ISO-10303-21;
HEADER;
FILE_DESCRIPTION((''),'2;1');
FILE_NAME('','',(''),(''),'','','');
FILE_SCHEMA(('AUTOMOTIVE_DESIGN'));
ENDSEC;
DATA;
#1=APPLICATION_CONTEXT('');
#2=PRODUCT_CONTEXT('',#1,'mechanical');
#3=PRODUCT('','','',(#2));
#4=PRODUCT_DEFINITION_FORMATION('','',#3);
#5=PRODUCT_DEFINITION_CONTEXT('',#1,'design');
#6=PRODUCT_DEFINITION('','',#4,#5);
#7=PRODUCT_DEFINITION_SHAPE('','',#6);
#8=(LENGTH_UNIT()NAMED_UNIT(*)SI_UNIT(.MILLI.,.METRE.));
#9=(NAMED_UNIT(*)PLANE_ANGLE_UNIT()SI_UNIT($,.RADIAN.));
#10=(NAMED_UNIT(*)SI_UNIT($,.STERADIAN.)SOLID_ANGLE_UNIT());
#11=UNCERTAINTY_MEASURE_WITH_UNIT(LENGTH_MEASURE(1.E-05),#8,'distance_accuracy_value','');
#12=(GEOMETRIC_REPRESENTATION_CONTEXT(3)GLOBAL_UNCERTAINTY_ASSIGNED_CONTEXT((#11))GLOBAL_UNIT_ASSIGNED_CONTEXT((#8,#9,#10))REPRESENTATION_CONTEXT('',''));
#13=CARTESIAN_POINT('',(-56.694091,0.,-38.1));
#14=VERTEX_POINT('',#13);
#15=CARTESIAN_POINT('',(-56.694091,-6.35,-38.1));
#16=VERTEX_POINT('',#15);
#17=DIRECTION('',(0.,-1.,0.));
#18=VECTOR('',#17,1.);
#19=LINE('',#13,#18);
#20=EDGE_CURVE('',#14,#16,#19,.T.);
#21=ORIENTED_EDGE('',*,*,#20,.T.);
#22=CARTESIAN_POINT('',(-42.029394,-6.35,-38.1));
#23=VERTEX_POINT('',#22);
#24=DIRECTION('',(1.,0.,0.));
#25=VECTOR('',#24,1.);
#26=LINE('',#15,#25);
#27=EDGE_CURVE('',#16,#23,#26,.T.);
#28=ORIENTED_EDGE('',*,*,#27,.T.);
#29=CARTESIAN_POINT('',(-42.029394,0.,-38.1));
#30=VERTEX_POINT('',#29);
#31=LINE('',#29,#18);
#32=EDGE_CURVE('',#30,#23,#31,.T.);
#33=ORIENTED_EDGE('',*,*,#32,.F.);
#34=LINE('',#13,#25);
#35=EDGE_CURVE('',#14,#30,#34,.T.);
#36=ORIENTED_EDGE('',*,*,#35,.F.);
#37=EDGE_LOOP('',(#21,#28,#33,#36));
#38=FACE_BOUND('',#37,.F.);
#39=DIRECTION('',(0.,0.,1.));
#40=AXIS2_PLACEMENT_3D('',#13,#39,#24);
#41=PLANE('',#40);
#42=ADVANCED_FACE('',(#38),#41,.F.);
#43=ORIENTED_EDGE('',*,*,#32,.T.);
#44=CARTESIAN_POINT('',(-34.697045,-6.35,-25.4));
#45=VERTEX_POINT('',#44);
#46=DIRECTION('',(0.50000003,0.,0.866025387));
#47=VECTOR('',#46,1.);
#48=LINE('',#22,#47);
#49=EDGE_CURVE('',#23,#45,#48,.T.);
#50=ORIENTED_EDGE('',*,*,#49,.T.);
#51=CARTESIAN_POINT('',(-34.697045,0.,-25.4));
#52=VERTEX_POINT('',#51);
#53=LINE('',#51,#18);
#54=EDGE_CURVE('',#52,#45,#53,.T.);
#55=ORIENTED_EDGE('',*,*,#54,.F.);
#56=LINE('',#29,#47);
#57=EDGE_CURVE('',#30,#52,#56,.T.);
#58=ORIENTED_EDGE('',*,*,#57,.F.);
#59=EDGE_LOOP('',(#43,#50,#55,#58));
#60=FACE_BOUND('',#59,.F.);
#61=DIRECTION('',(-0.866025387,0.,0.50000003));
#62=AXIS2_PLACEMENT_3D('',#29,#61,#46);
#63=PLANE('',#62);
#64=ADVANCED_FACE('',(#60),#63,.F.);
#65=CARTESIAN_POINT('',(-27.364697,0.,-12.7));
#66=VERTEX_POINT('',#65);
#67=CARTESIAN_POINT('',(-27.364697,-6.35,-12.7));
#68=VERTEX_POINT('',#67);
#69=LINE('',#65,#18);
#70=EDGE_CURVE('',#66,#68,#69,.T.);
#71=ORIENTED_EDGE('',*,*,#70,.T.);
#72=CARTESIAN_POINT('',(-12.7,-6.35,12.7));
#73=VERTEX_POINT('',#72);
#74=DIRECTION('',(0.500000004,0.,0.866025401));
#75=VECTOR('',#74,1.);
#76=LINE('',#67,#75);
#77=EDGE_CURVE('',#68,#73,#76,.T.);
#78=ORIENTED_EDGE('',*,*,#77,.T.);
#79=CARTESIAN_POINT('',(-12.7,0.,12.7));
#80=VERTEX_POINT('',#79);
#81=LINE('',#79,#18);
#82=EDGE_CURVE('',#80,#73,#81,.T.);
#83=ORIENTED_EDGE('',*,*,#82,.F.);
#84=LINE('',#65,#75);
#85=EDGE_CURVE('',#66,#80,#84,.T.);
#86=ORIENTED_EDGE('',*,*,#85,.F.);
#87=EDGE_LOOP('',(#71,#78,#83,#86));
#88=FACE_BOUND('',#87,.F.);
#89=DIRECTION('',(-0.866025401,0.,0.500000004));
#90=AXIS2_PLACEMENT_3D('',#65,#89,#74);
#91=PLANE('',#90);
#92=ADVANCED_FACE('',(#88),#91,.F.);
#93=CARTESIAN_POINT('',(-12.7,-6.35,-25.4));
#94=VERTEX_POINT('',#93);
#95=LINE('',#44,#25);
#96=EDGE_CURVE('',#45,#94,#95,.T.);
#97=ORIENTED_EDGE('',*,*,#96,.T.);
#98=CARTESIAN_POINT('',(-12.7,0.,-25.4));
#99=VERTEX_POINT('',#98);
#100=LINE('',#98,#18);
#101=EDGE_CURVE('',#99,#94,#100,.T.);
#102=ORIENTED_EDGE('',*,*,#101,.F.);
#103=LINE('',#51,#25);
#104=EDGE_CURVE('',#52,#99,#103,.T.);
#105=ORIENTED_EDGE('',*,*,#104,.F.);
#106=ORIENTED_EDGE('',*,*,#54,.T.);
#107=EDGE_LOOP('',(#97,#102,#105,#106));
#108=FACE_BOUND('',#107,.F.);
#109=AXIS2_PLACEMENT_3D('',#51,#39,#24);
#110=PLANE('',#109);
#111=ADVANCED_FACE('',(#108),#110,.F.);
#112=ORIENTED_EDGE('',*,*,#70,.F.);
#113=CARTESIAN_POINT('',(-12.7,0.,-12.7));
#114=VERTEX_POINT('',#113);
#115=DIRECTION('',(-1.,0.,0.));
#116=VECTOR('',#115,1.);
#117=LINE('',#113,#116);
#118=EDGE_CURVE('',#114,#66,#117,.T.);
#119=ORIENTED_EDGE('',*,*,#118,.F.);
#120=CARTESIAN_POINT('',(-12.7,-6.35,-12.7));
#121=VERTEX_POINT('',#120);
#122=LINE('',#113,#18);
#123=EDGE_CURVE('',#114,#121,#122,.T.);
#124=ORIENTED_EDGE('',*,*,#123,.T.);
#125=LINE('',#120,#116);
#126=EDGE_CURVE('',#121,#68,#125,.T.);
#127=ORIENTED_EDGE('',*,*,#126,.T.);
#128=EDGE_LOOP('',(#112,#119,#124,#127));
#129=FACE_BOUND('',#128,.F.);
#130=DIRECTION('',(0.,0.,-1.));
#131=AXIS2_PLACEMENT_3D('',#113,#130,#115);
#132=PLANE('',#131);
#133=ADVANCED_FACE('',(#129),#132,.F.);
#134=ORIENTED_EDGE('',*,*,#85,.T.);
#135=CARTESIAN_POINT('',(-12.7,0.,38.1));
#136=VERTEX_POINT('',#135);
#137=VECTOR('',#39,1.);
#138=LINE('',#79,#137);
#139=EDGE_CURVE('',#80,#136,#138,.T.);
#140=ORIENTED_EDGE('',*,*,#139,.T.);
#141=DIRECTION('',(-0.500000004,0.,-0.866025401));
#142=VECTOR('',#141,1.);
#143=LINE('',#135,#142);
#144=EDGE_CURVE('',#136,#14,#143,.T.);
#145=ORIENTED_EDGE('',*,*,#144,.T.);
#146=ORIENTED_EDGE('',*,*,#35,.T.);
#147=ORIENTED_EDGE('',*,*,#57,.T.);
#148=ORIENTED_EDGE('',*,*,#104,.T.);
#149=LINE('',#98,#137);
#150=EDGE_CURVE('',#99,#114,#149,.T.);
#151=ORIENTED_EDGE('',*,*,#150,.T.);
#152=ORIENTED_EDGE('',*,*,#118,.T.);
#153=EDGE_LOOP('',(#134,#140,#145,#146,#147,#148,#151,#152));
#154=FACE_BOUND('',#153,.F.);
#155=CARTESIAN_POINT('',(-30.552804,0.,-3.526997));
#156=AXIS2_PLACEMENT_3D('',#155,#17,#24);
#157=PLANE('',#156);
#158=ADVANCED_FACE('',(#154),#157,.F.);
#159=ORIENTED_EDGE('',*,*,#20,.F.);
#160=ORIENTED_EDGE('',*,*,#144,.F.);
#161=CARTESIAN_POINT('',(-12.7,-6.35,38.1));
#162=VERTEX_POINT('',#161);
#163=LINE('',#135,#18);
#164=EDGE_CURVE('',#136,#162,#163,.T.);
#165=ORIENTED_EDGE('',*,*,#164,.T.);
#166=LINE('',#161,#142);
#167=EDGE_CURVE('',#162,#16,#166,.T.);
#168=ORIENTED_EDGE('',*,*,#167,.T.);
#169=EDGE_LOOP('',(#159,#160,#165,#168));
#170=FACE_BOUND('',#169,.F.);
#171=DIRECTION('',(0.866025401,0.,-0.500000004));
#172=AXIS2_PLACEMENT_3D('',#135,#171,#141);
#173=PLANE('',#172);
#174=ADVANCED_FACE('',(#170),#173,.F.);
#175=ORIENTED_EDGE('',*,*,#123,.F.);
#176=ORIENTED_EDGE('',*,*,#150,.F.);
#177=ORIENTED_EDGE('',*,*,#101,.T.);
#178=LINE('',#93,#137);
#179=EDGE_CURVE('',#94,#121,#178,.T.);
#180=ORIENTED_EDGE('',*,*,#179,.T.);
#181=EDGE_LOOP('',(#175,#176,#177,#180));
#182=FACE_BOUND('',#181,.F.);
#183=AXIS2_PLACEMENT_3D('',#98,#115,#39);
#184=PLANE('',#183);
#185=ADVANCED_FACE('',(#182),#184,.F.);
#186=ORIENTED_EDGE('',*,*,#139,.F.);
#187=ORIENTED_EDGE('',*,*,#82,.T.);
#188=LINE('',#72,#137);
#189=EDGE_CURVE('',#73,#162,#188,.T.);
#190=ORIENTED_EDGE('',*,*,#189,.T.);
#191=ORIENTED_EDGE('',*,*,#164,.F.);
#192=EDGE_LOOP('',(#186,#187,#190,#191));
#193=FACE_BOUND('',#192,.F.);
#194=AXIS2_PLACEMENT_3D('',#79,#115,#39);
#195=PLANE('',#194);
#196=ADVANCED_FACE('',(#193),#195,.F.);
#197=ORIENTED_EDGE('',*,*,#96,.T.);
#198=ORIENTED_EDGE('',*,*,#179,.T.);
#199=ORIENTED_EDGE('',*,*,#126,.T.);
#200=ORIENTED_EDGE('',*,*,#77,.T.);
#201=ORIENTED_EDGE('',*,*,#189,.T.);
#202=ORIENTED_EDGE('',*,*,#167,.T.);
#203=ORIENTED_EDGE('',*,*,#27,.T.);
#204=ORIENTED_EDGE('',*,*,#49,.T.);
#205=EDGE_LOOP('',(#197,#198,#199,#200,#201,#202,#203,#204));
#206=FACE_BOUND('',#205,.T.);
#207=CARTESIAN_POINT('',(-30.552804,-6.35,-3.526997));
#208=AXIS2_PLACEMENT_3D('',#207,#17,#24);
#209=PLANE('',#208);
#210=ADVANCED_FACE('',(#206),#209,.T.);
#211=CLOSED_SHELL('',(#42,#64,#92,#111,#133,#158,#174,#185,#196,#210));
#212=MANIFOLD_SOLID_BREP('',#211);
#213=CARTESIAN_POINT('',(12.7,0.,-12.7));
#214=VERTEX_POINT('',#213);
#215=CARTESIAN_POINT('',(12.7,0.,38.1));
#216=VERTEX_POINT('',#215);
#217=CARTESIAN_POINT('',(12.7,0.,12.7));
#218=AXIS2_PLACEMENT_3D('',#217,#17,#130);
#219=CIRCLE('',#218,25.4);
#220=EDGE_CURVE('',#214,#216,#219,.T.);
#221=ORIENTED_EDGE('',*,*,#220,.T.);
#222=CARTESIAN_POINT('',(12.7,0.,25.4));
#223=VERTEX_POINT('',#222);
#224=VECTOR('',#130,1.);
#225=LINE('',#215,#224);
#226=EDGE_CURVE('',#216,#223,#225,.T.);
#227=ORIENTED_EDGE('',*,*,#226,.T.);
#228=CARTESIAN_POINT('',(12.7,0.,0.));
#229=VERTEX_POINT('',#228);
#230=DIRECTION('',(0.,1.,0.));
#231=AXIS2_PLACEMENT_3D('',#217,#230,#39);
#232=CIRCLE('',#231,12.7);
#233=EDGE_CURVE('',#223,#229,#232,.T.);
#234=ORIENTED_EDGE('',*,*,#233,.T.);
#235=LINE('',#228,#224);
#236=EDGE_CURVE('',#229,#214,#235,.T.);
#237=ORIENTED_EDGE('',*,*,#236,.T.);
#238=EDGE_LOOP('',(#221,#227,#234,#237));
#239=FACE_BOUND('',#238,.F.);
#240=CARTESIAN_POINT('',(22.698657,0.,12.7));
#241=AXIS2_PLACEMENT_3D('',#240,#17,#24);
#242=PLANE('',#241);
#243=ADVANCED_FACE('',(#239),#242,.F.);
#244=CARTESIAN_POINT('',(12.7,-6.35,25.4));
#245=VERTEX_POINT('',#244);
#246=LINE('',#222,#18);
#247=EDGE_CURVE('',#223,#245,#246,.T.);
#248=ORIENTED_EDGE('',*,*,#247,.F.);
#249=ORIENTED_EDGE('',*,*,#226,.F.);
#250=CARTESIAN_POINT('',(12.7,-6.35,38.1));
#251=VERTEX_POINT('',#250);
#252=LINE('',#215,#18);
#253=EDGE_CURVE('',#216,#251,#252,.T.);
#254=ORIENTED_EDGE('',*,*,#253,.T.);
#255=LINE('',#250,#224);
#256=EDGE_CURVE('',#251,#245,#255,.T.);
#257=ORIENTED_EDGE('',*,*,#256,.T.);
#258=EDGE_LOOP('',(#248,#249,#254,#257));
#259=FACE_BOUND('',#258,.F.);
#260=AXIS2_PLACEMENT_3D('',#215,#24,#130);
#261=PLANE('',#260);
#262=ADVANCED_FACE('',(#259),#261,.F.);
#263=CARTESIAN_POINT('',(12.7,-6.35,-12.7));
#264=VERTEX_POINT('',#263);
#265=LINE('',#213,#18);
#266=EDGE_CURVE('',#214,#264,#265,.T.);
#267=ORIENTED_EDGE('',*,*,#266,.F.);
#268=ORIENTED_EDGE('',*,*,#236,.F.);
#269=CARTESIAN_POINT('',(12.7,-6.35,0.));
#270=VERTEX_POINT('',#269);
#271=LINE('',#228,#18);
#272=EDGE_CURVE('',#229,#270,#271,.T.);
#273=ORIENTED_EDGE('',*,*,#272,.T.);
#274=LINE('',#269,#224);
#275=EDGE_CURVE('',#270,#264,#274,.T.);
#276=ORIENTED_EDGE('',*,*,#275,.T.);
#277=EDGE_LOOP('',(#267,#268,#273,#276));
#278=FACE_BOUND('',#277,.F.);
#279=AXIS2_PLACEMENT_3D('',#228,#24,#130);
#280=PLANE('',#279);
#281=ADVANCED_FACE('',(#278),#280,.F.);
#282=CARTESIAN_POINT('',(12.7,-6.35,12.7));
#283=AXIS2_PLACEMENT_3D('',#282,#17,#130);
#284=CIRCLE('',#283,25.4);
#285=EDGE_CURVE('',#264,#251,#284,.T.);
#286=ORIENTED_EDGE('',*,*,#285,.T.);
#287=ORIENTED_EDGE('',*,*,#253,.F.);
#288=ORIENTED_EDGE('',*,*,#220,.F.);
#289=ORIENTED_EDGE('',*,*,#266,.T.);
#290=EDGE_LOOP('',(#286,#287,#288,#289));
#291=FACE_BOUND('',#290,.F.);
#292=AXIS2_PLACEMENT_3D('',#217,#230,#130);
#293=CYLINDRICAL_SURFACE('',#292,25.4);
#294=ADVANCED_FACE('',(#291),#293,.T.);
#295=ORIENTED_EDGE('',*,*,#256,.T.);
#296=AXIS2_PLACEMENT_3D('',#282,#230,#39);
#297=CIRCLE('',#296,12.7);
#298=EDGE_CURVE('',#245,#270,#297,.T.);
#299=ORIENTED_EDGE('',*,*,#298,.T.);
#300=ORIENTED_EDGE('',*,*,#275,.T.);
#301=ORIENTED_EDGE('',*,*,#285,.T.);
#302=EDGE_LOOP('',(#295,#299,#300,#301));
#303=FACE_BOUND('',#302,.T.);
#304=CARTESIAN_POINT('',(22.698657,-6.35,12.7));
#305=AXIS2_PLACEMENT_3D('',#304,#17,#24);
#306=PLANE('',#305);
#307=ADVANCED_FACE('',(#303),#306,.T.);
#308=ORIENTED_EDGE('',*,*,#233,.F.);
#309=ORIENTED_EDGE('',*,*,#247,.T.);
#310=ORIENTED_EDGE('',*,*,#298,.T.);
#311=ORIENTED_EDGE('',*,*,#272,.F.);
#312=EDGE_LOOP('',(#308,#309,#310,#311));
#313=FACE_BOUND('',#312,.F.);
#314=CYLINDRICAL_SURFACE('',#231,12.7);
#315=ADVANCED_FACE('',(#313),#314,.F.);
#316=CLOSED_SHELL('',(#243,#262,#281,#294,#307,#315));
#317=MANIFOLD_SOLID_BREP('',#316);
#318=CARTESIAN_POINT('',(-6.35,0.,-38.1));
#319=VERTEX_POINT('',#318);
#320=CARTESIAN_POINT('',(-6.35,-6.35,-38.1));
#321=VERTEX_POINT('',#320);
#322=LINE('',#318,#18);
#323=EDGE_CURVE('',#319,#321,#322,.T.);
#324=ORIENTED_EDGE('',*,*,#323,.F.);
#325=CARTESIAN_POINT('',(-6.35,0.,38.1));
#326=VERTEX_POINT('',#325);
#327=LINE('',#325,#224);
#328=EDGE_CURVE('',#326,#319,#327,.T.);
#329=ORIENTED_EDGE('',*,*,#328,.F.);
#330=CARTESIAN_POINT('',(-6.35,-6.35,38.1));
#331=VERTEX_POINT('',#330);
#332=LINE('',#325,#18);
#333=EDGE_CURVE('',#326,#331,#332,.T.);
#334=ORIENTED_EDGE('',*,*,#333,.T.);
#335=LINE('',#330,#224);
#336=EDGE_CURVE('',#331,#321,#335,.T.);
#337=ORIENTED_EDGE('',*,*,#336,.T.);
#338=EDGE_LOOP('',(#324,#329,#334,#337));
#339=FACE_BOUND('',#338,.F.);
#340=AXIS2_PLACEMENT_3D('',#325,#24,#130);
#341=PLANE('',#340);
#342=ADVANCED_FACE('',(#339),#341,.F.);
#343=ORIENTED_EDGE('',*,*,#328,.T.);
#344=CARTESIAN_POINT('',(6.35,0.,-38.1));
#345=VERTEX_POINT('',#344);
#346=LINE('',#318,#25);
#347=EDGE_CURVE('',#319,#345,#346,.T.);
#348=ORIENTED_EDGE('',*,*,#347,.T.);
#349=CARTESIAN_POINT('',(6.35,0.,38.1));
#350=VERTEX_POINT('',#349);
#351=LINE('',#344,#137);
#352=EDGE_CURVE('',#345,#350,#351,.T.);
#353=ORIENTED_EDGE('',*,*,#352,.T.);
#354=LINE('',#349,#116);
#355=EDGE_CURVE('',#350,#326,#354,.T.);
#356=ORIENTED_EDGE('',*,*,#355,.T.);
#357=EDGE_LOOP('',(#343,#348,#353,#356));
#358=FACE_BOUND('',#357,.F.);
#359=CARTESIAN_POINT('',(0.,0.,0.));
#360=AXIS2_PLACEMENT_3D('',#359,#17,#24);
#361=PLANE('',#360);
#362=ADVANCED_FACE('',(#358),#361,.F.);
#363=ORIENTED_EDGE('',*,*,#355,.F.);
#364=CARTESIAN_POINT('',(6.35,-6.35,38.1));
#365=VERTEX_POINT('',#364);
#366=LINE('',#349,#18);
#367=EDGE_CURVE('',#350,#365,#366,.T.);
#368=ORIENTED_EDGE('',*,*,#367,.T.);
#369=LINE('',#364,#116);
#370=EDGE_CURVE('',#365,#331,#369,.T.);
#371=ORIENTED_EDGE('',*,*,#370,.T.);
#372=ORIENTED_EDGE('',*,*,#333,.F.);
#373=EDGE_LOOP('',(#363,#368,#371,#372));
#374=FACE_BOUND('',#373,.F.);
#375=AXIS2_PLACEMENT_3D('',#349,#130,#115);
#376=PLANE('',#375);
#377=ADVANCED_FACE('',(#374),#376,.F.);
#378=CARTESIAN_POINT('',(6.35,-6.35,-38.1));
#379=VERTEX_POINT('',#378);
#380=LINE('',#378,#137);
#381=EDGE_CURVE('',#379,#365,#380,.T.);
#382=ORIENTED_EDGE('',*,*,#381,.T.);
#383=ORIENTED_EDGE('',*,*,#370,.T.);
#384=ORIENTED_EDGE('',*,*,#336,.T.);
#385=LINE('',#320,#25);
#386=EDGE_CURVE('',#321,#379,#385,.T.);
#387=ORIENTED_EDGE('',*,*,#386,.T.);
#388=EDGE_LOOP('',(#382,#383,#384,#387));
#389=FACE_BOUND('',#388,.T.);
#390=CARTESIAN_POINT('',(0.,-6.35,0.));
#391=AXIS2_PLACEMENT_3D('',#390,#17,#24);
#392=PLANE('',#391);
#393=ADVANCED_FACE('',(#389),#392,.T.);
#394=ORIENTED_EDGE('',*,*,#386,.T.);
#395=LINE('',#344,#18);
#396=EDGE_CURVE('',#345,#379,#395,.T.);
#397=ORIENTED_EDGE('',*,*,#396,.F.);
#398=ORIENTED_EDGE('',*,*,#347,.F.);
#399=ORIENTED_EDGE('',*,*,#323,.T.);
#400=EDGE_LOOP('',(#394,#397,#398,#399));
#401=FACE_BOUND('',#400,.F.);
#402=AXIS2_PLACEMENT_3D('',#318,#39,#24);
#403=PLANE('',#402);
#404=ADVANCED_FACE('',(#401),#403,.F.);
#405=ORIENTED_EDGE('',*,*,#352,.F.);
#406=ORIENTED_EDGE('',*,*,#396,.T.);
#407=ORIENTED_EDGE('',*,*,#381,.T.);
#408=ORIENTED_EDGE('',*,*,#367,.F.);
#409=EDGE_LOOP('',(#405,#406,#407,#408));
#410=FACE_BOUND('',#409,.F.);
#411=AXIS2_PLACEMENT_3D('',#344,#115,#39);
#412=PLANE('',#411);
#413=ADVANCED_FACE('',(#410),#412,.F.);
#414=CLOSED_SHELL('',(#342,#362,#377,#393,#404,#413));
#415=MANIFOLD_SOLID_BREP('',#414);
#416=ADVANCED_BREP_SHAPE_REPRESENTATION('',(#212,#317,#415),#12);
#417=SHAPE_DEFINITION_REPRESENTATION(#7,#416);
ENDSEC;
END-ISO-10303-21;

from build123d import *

# Parameters (mm, degrees)
F1_DEPTH = 6.35


with BuildPart() as f1:
    # F0 (on Front) → F1 (new body)
    with BuildSketch(Plane.XZ):
        Polygon((-12.7, 12.7), (-12.7, 38.1), (-56.694091, -38.1), (-42.029394, -38.1), (-34.697045, -25.4), (-27.364697, -12.7), align=None)
        Polygon((6.35, 38.1), (-6.35, 38.1), (-6.35, 12.7), (-6.35, -12.7), (-6.35, -25.4), (-6.35, -38.1), (6.35, -38.1), (6.35, -12.7), (6.35, 0), (6.35, 25.4), align=None)
        with BuildLine():
            ThreePointArc((12.7, -12.7), (38.1, 12.7), (12.7, 38.1))
            Line((12.7, 38.1), (12.7, 25.4))
            ThreePointArc((12.7, 25.4), (25.4, 12.7), (12.7, 0))
            Line((12.7, 0), (12.7, -12.7))
        make_face()
        Polygon((-12.7, -25.4), (-12.7, -12.7), (-27.364697, -12.7), (-34.697045, -25.4), align=None)
    extrude(amount=F1_DEPTH)


solid = f1.part
